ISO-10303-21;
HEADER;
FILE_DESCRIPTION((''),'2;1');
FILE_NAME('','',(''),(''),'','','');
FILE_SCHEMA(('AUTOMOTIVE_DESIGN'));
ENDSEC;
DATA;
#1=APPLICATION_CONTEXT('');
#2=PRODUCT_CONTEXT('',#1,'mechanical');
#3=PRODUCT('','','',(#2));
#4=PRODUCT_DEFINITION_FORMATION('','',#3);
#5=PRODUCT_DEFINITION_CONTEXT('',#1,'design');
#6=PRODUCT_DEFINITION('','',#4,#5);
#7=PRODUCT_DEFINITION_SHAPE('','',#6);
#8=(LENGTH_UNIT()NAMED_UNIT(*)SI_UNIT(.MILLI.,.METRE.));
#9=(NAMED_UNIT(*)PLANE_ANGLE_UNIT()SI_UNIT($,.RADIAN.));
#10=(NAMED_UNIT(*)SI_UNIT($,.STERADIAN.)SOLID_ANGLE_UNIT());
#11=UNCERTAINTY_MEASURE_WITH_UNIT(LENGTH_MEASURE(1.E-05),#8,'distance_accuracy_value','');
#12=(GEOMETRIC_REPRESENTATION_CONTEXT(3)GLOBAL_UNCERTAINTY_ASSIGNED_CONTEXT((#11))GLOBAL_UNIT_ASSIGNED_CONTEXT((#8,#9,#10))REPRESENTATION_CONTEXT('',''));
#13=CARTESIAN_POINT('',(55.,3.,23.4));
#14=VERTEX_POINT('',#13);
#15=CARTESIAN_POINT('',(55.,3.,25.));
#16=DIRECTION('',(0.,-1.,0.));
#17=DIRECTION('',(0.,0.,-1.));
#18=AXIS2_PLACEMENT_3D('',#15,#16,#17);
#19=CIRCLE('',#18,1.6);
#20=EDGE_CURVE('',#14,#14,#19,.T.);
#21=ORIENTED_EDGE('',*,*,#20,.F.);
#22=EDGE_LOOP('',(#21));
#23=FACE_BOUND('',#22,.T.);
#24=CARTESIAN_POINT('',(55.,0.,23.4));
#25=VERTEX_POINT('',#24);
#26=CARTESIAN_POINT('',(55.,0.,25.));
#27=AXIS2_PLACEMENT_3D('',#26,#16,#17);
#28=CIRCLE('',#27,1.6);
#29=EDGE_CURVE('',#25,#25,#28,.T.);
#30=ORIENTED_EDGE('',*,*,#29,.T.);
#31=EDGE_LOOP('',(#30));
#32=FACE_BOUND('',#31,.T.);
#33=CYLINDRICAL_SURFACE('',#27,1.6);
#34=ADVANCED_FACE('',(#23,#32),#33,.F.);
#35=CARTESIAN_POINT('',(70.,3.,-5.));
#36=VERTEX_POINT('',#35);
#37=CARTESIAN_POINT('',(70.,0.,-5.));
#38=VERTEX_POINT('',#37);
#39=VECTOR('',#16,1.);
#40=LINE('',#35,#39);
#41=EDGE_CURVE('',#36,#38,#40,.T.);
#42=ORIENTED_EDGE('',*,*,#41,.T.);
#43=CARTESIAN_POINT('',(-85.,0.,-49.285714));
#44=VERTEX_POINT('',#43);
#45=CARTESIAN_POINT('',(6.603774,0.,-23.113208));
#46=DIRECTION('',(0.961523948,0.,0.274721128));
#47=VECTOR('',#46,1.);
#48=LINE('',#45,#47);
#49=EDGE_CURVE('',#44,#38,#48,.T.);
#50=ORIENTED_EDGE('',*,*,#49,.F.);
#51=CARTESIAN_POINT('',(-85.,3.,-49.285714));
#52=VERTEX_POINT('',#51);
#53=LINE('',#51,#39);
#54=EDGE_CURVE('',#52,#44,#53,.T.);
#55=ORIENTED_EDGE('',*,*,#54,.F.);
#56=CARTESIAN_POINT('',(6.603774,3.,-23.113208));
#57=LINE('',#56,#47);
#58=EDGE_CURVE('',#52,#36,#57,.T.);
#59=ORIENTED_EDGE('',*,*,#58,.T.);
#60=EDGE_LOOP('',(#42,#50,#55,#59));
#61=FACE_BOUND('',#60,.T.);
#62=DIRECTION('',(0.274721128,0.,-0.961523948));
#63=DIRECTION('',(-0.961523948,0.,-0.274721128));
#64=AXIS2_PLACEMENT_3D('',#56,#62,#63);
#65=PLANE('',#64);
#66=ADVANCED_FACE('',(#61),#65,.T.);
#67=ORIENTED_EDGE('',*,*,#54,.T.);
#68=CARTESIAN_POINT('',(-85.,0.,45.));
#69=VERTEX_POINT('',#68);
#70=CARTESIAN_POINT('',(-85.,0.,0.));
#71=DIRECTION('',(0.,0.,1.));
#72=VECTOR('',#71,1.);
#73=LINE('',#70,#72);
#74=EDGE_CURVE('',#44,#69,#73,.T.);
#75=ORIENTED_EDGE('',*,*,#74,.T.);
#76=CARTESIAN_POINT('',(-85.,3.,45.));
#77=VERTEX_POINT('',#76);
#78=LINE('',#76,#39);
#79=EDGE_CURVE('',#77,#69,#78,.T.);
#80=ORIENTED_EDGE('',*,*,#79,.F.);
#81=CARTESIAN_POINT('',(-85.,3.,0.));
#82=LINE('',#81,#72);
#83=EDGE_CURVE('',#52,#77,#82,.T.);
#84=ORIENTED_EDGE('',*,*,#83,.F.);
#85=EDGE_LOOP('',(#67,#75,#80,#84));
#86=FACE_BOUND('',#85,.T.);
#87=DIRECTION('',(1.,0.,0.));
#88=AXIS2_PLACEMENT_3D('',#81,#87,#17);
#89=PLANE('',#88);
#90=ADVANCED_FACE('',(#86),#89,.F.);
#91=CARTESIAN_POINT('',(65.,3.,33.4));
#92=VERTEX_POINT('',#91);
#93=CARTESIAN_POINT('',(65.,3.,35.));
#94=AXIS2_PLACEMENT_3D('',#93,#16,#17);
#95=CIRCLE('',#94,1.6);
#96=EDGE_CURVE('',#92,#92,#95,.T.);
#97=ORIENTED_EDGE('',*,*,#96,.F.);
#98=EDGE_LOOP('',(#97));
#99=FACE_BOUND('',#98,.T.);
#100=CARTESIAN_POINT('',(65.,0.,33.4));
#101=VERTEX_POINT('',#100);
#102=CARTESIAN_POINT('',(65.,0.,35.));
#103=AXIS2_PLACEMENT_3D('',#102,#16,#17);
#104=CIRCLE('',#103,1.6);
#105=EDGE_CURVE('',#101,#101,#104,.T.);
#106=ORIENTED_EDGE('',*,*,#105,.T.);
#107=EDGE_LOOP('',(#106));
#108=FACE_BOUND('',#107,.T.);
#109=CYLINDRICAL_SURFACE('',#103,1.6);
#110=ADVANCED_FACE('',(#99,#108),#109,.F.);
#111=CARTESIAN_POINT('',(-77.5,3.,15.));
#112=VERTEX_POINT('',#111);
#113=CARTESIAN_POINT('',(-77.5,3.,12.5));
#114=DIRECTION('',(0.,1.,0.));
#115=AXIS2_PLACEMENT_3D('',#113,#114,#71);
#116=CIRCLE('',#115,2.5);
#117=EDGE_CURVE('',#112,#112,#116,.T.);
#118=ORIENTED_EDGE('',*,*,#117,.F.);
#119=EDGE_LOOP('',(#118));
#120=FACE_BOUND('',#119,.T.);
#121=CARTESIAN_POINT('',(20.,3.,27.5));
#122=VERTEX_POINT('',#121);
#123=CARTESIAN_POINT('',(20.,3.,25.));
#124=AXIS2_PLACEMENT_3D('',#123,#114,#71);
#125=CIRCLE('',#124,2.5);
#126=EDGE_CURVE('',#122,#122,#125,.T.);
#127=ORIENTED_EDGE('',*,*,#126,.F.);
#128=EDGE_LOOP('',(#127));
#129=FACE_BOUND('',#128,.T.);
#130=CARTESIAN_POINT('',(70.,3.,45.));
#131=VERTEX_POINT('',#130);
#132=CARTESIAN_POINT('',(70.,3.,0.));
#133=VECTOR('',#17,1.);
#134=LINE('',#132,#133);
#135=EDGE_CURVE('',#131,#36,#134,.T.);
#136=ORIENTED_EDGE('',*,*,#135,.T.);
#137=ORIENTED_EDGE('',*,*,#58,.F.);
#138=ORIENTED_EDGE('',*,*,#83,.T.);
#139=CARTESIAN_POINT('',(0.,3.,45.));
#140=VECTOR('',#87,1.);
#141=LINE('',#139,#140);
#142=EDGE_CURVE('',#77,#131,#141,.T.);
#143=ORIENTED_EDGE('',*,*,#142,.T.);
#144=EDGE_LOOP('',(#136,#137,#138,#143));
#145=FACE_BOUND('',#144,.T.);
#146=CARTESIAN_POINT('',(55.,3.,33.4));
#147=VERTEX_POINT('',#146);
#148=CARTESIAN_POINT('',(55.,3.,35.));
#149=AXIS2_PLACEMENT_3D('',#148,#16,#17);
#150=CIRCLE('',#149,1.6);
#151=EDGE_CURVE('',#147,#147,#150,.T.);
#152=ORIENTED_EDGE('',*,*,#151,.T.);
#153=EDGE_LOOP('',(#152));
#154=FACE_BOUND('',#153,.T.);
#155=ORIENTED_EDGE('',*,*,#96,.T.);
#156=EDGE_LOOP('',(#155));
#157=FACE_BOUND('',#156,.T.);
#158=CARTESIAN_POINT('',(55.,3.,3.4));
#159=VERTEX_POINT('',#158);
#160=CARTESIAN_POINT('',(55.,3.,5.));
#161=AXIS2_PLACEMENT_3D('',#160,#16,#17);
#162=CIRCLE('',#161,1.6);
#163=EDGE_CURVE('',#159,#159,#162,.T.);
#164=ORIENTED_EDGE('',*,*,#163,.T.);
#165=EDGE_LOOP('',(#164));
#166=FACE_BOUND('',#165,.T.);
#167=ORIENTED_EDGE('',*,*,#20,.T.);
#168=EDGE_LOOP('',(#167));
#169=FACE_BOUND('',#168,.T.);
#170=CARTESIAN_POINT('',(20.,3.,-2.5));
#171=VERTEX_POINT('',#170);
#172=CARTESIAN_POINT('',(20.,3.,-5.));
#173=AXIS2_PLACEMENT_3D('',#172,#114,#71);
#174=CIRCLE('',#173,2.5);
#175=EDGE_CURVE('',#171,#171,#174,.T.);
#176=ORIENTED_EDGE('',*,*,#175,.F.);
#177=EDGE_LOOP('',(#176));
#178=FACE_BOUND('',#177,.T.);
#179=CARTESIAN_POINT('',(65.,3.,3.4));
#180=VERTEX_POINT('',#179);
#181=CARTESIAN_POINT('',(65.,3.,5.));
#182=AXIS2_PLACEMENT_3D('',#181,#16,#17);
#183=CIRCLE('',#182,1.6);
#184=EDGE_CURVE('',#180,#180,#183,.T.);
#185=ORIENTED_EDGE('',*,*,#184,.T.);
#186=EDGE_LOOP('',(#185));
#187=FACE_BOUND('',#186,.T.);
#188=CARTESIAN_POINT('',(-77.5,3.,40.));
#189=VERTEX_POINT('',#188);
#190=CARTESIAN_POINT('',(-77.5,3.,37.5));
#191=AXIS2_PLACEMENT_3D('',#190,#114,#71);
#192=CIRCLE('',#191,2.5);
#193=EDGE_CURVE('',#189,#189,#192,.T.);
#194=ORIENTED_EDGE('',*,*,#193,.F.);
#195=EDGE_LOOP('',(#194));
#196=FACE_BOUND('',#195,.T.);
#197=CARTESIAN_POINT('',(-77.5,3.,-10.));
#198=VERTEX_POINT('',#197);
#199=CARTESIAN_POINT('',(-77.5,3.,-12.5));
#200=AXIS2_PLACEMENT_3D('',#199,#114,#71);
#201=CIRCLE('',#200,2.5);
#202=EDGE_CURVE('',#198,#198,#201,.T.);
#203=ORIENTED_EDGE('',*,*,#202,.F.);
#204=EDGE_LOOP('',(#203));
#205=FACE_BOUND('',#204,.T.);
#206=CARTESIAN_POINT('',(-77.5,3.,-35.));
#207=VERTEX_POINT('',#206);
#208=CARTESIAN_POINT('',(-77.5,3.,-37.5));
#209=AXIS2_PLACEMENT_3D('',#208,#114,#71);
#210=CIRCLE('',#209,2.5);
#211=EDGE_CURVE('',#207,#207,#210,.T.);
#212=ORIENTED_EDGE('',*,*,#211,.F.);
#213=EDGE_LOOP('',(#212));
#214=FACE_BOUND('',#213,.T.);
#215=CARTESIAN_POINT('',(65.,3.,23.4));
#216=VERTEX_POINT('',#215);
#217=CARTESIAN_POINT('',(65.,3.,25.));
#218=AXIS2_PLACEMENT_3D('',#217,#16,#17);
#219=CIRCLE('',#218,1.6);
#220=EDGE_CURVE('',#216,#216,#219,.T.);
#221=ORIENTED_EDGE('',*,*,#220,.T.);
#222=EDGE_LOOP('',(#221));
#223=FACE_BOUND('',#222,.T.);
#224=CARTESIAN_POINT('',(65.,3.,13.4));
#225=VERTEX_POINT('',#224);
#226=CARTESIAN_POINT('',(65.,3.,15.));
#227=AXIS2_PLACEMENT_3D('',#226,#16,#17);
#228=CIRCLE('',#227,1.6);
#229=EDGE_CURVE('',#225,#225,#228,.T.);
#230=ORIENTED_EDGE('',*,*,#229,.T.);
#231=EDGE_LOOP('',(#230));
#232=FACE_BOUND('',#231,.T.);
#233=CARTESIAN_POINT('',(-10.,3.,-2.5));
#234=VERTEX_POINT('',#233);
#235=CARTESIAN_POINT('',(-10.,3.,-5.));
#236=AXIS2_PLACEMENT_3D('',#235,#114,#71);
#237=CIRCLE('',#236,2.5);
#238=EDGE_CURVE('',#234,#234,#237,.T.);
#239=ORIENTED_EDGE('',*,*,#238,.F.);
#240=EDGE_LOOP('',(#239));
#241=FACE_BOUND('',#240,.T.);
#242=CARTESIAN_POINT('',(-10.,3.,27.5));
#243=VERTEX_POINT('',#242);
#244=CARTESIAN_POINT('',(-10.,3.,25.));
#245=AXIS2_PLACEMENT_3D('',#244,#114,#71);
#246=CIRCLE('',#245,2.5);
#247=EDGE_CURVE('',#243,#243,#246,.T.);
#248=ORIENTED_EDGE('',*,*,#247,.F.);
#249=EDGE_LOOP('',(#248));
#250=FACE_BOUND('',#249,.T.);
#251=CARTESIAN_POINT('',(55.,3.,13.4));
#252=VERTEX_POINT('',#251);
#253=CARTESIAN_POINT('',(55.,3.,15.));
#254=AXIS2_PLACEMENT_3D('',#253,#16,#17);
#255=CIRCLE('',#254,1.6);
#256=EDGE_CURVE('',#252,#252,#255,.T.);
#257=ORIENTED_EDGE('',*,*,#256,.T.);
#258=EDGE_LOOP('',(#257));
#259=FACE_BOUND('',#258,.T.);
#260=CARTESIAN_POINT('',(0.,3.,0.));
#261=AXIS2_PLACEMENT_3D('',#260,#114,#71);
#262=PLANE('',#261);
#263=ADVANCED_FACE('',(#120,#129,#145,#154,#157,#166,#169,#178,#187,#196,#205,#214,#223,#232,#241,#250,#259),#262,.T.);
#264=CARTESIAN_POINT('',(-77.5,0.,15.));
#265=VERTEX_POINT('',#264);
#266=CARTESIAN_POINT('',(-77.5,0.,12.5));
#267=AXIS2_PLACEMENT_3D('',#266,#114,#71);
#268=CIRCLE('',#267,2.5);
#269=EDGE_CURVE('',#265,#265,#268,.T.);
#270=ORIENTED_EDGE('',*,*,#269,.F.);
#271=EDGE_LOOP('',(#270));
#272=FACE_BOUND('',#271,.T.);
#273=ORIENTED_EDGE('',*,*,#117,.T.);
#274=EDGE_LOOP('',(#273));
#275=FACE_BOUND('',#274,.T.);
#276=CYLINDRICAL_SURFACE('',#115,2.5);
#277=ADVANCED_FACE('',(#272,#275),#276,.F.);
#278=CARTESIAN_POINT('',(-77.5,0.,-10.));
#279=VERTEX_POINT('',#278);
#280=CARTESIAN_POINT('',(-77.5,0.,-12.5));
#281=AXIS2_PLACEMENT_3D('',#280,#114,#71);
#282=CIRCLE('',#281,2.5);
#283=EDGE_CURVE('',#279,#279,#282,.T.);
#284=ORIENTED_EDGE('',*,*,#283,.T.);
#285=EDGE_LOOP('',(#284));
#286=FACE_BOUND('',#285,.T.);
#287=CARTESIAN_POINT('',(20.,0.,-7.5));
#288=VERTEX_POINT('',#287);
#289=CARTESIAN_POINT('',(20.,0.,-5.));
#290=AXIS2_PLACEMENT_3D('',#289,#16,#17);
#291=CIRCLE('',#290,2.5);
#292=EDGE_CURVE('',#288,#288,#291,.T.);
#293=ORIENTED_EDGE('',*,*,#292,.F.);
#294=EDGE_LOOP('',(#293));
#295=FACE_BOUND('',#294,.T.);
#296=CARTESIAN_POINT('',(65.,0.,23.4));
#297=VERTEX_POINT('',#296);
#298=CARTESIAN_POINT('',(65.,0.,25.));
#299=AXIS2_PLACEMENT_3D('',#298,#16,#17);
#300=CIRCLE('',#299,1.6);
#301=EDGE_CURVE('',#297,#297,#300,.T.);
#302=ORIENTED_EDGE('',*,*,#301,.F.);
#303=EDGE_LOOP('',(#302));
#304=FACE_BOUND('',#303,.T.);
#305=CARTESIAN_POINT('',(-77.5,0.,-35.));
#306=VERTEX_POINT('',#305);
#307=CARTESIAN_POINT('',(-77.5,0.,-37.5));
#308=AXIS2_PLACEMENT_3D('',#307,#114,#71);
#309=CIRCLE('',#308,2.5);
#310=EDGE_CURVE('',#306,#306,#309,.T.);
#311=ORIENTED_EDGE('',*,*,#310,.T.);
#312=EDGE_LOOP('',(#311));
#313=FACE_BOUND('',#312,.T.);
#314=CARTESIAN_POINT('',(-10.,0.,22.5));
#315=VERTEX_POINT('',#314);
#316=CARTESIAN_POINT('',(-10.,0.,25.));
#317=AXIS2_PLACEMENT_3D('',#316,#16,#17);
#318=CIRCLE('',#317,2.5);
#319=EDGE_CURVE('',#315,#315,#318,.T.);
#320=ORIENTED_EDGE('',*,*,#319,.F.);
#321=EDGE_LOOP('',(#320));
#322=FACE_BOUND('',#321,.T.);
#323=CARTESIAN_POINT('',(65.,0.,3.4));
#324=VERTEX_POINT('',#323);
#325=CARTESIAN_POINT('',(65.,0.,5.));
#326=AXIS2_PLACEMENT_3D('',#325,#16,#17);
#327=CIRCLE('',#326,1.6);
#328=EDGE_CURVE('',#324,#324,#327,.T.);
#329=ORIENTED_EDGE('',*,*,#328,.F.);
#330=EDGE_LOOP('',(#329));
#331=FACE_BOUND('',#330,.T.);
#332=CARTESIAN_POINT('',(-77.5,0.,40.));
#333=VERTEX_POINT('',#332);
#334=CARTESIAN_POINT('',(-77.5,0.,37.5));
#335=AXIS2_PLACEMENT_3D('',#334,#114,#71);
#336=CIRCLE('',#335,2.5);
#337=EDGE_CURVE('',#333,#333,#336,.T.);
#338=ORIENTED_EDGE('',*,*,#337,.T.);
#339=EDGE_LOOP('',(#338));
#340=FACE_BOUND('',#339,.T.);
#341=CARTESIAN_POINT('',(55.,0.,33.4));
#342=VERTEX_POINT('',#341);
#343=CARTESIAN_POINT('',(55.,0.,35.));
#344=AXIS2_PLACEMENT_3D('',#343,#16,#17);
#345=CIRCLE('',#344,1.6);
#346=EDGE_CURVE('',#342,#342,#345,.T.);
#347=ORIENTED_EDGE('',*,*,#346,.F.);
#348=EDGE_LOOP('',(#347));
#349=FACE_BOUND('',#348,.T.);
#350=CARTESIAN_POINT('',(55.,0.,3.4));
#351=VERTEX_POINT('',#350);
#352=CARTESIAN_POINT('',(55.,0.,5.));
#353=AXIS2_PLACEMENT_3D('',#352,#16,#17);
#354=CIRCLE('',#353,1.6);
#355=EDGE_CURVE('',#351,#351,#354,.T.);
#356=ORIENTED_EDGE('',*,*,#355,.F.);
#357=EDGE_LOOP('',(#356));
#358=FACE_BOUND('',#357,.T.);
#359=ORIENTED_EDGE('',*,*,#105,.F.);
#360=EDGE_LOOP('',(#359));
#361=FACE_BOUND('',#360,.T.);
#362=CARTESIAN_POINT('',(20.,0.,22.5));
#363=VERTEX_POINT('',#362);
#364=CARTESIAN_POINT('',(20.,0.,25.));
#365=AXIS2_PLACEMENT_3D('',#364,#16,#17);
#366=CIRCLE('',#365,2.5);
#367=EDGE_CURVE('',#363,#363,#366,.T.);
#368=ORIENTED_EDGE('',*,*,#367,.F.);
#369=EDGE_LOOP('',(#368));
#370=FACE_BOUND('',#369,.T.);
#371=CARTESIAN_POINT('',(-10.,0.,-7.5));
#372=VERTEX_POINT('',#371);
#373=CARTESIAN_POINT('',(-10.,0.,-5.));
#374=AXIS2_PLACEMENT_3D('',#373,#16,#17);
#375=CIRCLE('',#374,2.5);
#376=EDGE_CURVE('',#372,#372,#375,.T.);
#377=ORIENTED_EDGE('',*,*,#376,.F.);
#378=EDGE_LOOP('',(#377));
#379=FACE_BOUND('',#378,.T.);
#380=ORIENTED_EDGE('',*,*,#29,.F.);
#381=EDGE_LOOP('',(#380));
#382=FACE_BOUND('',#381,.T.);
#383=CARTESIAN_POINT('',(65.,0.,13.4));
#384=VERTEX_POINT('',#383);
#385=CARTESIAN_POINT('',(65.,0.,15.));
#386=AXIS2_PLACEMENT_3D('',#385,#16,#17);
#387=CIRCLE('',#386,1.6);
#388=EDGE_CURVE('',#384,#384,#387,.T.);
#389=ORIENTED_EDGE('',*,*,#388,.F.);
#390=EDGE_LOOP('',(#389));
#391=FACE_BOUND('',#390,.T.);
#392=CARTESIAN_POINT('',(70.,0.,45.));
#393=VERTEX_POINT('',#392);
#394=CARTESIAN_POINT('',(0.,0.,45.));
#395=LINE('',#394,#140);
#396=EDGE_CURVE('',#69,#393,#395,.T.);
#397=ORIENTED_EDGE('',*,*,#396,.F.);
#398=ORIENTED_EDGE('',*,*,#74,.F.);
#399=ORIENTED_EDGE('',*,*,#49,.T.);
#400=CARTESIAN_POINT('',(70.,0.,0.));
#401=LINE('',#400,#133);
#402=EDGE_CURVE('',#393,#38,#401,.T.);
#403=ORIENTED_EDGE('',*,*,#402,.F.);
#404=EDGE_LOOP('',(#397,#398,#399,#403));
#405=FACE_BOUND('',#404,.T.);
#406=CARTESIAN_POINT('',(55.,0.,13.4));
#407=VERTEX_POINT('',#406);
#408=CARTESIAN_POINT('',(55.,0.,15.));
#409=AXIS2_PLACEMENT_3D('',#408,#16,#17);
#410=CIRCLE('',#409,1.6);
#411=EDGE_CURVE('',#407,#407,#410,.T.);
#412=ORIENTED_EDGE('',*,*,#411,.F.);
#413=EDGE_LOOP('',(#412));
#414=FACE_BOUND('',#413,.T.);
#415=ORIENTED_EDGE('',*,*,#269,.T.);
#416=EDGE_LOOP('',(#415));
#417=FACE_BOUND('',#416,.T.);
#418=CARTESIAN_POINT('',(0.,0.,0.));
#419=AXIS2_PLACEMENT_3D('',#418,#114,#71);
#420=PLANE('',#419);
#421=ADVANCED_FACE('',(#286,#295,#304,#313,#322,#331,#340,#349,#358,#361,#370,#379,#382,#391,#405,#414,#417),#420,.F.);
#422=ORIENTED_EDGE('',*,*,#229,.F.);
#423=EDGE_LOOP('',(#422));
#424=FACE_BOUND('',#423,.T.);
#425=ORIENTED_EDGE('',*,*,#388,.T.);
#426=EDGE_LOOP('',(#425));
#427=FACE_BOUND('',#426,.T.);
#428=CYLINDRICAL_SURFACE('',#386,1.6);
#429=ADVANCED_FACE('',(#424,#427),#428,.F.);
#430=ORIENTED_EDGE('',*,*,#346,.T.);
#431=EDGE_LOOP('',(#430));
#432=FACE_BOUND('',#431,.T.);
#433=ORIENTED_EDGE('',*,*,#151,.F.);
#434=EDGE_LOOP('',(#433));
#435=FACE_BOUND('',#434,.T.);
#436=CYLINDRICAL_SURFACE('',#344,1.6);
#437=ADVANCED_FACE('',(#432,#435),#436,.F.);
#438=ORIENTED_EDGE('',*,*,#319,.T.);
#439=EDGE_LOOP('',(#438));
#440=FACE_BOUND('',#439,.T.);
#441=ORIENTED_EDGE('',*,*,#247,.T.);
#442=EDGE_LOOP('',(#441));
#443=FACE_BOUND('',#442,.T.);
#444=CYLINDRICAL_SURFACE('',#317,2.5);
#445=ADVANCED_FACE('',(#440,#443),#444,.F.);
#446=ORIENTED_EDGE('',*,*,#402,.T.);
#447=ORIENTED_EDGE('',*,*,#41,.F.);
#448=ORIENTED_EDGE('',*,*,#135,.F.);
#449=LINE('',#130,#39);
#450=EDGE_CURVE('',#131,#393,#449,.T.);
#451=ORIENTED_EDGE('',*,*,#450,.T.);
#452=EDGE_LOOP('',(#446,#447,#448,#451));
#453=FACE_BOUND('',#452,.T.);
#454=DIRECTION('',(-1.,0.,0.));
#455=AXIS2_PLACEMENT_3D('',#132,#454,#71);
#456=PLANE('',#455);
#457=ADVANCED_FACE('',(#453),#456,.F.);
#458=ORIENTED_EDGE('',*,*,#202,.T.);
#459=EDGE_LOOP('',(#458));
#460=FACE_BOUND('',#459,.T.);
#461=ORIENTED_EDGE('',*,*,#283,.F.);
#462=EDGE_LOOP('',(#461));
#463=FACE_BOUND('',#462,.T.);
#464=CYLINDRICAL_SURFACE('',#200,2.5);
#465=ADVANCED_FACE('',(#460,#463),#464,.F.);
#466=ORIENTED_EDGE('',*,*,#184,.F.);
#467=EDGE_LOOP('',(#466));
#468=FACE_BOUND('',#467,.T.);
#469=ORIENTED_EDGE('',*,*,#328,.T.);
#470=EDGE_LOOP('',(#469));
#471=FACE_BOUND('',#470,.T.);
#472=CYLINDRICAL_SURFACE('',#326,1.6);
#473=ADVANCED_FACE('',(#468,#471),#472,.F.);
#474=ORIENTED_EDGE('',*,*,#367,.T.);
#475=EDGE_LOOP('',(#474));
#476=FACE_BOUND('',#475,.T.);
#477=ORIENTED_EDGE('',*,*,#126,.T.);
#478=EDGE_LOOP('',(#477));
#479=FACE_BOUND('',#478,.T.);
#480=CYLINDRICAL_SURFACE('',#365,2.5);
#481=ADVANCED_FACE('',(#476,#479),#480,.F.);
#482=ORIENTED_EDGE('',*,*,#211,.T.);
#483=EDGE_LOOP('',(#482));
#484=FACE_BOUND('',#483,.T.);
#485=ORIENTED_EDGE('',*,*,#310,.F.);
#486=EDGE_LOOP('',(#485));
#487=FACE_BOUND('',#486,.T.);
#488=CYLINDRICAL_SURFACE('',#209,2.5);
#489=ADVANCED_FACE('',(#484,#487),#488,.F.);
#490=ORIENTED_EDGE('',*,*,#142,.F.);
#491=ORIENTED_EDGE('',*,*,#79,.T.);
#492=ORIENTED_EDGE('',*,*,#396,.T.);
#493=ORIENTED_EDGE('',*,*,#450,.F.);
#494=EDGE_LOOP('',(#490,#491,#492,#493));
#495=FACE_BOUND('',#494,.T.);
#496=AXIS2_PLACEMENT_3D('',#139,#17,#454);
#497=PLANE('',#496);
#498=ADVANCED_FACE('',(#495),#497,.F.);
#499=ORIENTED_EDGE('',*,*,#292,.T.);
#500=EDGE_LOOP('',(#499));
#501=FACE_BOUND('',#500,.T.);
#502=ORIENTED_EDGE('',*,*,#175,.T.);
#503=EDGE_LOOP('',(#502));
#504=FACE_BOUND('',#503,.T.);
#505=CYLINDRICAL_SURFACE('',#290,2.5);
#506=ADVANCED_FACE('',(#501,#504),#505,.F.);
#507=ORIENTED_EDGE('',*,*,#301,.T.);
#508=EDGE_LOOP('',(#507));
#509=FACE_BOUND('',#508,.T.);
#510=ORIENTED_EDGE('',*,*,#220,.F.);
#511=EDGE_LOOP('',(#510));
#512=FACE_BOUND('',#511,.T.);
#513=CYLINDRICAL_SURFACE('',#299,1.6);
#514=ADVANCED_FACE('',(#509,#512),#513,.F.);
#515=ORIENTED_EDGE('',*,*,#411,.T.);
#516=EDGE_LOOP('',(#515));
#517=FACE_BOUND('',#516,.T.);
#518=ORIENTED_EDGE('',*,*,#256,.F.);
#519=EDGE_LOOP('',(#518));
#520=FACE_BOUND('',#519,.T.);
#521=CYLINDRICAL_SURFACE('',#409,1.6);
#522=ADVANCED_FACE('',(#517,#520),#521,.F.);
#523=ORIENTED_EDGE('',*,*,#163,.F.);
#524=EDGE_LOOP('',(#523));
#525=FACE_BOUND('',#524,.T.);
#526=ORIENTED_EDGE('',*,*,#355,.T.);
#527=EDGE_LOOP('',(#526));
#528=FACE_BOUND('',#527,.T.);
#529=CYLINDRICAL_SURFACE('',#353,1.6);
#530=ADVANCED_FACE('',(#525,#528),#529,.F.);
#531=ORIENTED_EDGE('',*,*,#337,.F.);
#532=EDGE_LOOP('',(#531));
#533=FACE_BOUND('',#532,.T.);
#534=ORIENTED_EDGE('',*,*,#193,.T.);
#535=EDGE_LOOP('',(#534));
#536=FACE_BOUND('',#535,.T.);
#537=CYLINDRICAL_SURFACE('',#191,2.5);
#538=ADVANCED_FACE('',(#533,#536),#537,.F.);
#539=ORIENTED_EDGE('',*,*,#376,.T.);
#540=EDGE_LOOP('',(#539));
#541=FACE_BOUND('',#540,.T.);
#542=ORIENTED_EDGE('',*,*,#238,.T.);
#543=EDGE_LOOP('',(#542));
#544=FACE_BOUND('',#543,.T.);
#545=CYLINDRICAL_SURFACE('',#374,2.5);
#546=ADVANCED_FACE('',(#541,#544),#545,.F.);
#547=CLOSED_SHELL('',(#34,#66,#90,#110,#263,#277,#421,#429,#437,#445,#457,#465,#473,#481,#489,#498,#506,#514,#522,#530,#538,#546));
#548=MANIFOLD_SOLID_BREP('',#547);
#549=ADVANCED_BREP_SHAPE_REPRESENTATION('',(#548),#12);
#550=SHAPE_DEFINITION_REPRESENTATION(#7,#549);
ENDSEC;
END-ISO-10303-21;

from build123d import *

# Parameters (mm, degrees)
EXTRUDE_1_DEPTH             = 3
HOLE_WIZARD_5_0_5_2_D       = 5
HOLE_WIZARD_5_0_5_1_D       = 5
HOLE_WIZARD_3_2_3_2_2_D     = 3.2
PATTERN_LINEAR_1_COUNT      = 4
PATTERN_LINEAR_1_PITCH      = 10
PATTERN_LINEAR_1_COUNT_DIR2 = 2
PATTERN_LINEAR_1_PITCH_DIR2 = 10


with BuildPart() as part:
    # 草图1 → 凸台-拉伸1 (new body)
    with BuildSketch(Plane(origin=(0, 0, 0), x_dir=(1, 0, 0), z_dir=(0, 1, 0))):
        Polygon((-85, -45), (70, -45), (70, 5), (-70, 45), (-85, 45), align=None)
        Polygon((-85, 45), (-70, 45), (-85, 49.285714286), align=None)
    extrude(amount=EXTRUDE_1_DEPTH)

    # Ø5.0 (5) 直径孔2 (through all)
    with Locations(Plane(origin=(0, 3, 0), x_dir=(1, 0, 0), z_dir=(0, 1, 0))):
        with Locations((-77.5, -37.5), (-77.5, -12.5), (-77.5, 37.5), (-77.5, 12.5)):
            Hole(HOLE_WIZARD_5_0_5_2_D / 2)

    # Ø5.0 (5) 直径孔1 (through all)
    with Locations(Plane(origin=(0, 0, 0), x_dir=(-1, 0, 0), z_dir=(0, -1, 0))):
        with Locations((10, -25), (10, 5), (-20, 5), (-20, -25)):
            Hole(HOLE_WIZARD_5_0_5_1_D / 2)

    # Ø3.2 (3.2) 直径孔2 (through all)
    with Locations(Plane(origin=(0, 0, 0), x_dir=(-1, 0, 0), z_dir=(0, -1, 0))):
        with Locations((-65, -35)):
            hole_wizard_3_2_3_2_2 = Hole(HOLE_WIZARD_3_2_3_2_2_D / 2)

    # 阵列(线性)1: Hole Wizard 3.2 _3.2_ _2 4 × 2
    with Locations(*[(-j * PATTERN_LINEAR_1_PITCH_DIR2, 0, -i * PATTERN_LINEAR_1_PITCH) for i in range(PATTERN_LINEAR_1_COUNT) for j in range(PATTERN_LINEAR_1_COUNT_DIR2) if (i, j) != (0, 0)]):
        add(hole_wizard_3_2_3_2_2, mode=Mode.SUBTRACT)


solid = part.part
